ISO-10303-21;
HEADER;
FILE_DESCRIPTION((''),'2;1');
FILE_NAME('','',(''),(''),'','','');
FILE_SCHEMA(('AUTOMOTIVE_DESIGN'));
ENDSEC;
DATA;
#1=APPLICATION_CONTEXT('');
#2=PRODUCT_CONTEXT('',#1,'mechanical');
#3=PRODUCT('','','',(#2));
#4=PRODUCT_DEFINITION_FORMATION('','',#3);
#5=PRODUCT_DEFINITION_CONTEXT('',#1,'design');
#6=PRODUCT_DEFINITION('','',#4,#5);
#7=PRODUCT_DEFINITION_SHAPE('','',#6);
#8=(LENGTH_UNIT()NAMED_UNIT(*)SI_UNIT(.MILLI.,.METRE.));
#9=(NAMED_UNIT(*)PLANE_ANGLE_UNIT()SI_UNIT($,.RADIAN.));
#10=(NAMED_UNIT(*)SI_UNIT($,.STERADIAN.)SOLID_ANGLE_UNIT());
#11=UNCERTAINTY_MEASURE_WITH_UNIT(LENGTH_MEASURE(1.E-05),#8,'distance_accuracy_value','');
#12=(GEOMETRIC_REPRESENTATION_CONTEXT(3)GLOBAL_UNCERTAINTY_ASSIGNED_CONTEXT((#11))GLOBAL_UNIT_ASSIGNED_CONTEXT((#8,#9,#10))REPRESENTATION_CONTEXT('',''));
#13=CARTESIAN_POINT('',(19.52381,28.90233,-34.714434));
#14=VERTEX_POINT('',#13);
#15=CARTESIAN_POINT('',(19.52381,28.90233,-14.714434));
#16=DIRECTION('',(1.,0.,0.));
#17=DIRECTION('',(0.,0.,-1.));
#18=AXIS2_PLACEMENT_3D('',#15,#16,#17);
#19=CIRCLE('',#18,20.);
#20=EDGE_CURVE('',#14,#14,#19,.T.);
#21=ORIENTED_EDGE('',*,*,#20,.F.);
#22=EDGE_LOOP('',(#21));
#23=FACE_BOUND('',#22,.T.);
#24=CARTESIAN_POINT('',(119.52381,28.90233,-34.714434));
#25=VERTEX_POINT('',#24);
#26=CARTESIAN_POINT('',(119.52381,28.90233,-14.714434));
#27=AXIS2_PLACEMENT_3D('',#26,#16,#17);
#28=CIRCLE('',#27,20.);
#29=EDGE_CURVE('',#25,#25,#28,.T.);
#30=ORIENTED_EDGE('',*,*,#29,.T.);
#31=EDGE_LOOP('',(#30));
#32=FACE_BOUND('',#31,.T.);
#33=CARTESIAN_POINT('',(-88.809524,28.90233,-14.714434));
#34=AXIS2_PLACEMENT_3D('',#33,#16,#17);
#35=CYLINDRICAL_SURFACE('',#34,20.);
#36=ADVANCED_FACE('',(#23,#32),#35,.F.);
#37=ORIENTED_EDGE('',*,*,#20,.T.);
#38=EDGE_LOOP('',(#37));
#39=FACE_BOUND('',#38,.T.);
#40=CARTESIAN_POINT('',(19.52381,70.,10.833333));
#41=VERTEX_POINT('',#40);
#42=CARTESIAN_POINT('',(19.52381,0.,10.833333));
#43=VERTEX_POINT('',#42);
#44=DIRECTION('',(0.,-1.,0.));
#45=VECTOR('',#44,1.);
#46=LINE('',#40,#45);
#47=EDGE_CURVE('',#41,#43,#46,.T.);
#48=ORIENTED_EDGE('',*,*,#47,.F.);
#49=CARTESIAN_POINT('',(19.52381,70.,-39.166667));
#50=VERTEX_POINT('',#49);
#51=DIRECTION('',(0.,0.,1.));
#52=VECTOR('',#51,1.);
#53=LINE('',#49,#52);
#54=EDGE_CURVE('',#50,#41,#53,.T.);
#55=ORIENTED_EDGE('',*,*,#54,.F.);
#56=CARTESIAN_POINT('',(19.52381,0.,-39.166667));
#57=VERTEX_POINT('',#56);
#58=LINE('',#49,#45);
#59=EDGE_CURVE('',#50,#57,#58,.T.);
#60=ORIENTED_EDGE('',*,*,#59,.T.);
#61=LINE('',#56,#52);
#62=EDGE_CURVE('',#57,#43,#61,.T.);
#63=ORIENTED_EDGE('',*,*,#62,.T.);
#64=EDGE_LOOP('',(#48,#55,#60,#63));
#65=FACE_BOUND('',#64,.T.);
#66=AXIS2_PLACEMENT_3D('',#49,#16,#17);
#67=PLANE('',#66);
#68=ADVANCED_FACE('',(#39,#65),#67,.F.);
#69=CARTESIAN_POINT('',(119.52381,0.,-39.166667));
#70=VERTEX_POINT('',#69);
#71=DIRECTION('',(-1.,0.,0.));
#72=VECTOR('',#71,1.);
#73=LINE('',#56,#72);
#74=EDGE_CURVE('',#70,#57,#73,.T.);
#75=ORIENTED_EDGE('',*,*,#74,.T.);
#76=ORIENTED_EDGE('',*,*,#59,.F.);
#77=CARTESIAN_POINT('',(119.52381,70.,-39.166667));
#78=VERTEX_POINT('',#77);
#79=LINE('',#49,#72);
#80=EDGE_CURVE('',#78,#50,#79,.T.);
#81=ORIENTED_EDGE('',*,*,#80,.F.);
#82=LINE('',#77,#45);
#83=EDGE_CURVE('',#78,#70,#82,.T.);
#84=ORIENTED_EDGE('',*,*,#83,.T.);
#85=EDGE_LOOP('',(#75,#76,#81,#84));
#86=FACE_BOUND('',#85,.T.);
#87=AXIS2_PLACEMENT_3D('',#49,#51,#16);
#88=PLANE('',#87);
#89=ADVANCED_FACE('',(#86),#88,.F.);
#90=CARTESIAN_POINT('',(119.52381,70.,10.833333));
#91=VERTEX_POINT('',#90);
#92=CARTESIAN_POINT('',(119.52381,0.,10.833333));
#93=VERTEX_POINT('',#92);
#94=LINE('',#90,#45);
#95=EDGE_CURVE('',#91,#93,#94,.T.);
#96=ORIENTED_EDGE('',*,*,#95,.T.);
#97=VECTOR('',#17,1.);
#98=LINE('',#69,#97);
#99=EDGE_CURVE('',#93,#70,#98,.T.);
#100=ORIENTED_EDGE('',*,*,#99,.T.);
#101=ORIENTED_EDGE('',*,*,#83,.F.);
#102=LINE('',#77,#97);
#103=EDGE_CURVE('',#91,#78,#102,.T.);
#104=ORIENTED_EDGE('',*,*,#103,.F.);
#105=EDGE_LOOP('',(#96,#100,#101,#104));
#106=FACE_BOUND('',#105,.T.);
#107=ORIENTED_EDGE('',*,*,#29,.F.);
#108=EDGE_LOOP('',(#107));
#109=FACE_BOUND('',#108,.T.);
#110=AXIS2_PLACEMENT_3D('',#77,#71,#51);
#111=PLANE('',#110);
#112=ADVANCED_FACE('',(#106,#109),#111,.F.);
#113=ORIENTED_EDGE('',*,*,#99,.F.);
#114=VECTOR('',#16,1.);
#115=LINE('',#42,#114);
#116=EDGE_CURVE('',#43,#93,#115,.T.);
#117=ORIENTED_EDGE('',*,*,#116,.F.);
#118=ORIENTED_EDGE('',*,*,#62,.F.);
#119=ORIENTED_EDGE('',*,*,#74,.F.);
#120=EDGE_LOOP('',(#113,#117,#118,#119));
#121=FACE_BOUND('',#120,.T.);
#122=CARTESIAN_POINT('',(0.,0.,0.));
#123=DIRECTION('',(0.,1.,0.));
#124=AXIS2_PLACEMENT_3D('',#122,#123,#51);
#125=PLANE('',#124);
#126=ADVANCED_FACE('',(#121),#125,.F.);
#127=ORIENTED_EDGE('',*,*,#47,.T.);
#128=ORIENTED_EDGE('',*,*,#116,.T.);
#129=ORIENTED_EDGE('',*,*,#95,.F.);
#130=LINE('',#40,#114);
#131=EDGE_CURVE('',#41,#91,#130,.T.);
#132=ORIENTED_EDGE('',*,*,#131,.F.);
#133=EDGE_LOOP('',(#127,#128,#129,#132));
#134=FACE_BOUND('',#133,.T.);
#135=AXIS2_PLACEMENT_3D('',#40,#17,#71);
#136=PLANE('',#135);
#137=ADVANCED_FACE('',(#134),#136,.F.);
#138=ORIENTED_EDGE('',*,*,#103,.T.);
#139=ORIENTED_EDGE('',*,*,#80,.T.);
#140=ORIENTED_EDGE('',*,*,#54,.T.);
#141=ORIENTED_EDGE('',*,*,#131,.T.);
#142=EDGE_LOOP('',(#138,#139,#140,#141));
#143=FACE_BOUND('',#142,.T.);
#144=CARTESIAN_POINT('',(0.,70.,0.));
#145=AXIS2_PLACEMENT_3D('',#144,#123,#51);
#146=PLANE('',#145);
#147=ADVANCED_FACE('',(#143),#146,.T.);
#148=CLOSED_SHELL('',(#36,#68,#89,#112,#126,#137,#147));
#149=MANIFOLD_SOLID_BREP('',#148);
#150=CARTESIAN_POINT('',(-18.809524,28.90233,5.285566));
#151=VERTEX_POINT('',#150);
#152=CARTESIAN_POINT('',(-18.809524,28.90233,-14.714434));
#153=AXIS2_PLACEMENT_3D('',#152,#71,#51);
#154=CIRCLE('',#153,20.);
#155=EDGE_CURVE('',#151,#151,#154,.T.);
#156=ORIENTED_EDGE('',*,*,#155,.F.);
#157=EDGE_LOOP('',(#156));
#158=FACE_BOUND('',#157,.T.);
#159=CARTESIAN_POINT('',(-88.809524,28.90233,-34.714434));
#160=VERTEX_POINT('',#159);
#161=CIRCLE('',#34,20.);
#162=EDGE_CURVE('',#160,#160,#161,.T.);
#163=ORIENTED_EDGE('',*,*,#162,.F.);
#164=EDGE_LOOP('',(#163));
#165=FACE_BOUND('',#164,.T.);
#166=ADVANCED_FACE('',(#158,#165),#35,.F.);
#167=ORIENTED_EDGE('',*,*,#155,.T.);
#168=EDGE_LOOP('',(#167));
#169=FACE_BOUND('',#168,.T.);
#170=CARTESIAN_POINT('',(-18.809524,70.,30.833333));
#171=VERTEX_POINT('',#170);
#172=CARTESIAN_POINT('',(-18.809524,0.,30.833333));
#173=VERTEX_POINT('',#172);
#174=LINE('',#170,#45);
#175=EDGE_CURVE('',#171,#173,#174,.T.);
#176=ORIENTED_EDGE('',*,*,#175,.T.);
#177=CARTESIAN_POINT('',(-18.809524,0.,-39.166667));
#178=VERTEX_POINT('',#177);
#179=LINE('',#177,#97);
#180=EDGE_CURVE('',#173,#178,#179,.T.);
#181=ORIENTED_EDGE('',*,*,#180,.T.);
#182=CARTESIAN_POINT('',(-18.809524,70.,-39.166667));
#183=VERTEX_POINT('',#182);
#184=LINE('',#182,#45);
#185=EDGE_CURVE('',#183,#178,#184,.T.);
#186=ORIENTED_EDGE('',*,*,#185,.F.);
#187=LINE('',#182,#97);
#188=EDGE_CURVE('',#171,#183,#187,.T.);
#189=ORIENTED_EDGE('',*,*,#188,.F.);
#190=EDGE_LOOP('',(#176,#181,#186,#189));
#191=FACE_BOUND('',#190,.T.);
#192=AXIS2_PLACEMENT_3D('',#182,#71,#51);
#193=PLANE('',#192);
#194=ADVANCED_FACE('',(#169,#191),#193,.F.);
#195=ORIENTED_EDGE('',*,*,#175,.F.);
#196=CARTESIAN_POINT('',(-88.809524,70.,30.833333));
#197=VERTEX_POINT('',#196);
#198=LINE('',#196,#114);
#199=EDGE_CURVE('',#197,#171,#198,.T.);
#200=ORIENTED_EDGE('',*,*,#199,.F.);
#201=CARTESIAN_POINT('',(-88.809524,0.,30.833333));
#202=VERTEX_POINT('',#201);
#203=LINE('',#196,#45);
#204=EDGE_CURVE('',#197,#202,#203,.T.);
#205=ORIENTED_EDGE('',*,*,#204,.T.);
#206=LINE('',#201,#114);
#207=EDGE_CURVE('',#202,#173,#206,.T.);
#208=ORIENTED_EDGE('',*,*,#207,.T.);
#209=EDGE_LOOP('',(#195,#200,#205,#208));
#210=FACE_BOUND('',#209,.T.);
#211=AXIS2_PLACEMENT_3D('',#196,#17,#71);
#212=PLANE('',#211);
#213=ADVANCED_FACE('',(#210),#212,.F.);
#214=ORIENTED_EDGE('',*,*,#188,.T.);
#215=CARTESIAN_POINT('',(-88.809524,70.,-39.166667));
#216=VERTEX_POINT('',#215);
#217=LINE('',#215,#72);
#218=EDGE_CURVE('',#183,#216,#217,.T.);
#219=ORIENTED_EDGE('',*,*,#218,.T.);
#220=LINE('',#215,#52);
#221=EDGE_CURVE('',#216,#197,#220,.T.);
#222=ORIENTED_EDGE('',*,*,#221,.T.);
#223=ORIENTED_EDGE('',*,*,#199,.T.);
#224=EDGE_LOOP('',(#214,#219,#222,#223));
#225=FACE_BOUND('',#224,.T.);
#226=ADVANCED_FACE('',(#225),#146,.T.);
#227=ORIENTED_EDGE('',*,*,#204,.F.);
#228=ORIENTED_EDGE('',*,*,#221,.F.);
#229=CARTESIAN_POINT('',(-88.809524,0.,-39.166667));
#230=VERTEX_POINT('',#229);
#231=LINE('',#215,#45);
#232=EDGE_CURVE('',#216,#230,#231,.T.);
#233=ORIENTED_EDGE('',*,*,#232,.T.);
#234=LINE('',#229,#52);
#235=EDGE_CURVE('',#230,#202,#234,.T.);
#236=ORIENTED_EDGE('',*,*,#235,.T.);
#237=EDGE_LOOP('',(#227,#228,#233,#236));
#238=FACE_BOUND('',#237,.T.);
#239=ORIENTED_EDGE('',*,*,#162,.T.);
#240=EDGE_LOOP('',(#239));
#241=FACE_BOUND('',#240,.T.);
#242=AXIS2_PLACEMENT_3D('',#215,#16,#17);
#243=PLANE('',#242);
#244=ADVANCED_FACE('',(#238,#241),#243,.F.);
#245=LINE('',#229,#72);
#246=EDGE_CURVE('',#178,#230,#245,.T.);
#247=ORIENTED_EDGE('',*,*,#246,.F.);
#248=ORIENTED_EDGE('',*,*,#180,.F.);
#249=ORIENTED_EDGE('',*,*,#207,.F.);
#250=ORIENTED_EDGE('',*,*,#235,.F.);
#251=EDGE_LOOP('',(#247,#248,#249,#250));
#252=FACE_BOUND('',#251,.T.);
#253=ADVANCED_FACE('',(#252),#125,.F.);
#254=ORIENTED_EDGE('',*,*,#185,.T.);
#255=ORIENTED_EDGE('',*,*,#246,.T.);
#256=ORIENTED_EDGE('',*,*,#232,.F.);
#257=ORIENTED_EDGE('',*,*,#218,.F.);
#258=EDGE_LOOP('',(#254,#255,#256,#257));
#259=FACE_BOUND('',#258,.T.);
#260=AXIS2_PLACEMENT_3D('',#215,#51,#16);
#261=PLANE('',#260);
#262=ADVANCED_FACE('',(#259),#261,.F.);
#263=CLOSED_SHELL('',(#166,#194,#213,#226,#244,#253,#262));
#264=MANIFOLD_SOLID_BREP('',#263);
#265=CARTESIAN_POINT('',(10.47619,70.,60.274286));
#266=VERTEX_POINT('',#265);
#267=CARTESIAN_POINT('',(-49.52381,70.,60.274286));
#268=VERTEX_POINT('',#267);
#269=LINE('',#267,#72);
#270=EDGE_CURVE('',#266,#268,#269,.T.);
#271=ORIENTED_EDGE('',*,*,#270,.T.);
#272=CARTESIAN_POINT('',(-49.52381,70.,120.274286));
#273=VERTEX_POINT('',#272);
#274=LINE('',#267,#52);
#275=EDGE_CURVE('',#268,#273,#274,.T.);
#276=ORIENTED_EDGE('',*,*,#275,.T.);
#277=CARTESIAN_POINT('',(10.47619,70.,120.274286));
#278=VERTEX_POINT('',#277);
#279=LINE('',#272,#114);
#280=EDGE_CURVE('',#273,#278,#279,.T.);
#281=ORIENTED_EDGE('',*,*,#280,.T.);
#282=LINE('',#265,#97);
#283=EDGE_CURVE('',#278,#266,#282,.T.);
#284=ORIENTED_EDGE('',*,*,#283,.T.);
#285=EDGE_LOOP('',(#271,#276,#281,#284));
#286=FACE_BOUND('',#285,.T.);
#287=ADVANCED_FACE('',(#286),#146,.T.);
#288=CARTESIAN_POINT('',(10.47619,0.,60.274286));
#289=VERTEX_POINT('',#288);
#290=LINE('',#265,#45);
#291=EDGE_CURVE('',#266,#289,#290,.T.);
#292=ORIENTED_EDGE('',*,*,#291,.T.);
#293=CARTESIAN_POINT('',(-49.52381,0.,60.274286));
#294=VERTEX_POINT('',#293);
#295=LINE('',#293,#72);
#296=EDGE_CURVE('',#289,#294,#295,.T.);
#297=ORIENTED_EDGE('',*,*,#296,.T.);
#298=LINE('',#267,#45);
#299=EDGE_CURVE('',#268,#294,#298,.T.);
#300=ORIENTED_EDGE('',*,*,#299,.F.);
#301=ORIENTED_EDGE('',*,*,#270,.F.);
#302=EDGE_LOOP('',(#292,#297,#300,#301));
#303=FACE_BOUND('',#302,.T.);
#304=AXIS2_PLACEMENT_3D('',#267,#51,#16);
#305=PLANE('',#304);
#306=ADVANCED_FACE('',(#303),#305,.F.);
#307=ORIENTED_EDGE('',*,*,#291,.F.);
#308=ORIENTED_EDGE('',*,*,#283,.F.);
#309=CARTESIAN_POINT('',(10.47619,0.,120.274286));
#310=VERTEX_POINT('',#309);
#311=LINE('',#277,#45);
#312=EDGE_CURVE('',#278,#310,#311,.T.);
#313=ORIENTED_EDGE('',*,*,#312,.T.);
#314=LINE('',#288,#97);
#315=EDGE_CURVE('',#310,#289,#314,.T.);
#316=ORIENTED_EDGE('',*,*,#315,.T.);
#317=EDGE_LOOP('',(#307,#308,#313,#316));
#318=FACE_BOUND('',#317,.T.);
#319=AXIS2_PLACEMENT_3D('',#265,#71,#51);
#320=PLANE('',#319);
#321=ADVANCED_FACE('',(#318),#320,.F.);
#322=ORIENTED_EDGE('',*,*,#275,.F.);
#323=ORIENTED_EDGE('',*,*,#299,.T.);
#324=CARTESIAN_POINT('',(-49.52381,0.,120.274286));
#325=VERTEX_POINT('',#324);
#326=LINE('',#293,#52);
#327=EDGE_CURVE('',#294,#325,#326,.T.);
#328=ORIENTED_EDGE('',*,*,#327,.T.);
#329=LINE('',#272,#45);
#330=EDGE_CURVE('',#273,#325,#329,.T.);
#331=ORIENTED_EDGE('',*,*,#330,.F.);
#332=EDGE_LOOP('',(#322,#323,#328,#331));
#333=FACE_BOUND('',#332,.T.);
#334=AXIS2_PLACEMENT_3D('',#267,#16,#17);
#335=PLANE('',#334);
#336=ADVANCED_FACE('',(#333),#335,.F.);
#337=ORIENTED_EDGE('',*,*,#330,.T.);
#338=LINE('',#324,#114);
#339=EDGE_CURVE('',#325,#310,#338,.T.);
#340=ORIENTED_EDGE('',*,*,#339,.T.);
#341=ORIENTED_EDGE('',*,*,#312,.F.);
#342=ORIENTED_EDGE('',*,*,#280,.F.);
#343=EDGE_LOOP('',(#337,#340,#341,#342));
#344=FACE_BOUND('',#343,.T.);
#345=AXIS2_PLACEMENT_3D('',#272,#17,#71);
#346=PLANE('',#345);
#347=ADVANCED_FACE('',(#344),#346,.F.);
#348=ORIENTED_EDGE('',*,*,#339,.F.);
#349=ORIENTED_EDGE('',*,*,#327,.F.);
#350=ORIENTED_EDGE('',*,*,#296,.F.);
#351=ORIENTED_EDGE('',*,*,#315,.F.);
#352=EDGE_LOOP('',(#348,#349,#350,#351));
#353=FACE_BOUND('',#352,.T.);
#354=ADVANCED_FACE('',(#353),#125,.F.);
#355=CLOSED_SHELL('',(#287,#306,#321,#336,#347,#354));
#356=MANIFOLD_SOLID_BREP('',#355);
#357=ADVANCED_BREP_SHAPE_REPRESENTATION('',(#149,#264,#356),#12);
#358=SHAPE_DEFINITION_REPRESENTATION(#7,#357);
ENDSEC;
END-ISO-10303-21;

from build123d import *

# Parameters (mm, degrees)
SKETCH2_W             = 70
SKETCH2_H             = 70
BOSS_EXTRUDE1_DEPTH   = 70
SKETCH2_W_2           = 100
SKETCH2_H_2           = 50
BOSS_EXTRUDE1_2_DEPTH = 70
SKETCH2_W_3           = 60
SKETCH2_H_3           = 60
BOSS_EXTRUDE1_3_DEPTH = 70
SKETCH3_R             = 20
CUT_EXTRUDE1_DEPTH    = 251.536786883


with BuildPart() as part:
    # Sketch2 → Boss-Extrude1 (new body)
    with BuildSketch(Plane(origin=(0, 0, 0), x_dir=(1, 0, 0), z_dir=(0, 1, 0))):
        with Locations((-53.80952381, 4.166666667)):
            Rectangle(SKETCH2_W, SKETCH2_H)
    extrude(amount=BOSS_EXTRUDE1_DEPTH)


with BuildPart() as body_2:
    # Sketch2 → Boss-Extrude1 2 (new body)
    with BuildSketch(Plane(origin=(0, 0, 0), x_dir=(1, 0, 0), z_dir=(0, 1, 0))):
        with Locations((69.523809524, 14.166666667)):
            Rectangle(SKETCH2_W_2, SKETCH2_H_2)
    extrude(amount=BOSS_EXTRUDE1_2_DEPTH)


with BuildPart() as body_3:
    # Sketch2 → Boss-Extrude1 3 (new body)
    with BuildSketch(Plane(origin=(0, 0, 0), x_dir=(1, 0, 0), z_dir=(0, 1, 0))):
        with Locations((-19.523809524, -90.274285714)):
            Rectangle(SKETCH2_W_3, SKETCH2_H_3)
    extrude(amount=BOSS_EXTRUDE1_3_DEPTH)


with BuildPart() as cut_extrude1_tool:
    # Sketch3 → Cut-Extrude1 (new, through all)
    with BuildSketch(Plane(origin=(119.523809524, 0, 0), x_dir=(0, 0, -1), z_dir=(1, 0, 0))):
        with Locations((14.714433962, 28.902329944)):
            Circle(SKETCH3_R)
    extrude(amount=-CUT_EXTRUDE1_DEPTH)


with BuildPart() as part_1:
    add(part.part)

    # Cut-Extrude1: cut by cut_extrude1_tool
    add(cut_extrude1_tool.part, mode=Mode.SUBTRACT)


with BuildPart() as body_2_1:
    add(body_2.part)

    # Cut-Extrude1: cut by cut_extrude1_tool
    add(cut_extrude1_tool.part, mode=Mode.SUBTRACT)


solid = Compound([body_3.part, part_1.part, body_2_1.part])
